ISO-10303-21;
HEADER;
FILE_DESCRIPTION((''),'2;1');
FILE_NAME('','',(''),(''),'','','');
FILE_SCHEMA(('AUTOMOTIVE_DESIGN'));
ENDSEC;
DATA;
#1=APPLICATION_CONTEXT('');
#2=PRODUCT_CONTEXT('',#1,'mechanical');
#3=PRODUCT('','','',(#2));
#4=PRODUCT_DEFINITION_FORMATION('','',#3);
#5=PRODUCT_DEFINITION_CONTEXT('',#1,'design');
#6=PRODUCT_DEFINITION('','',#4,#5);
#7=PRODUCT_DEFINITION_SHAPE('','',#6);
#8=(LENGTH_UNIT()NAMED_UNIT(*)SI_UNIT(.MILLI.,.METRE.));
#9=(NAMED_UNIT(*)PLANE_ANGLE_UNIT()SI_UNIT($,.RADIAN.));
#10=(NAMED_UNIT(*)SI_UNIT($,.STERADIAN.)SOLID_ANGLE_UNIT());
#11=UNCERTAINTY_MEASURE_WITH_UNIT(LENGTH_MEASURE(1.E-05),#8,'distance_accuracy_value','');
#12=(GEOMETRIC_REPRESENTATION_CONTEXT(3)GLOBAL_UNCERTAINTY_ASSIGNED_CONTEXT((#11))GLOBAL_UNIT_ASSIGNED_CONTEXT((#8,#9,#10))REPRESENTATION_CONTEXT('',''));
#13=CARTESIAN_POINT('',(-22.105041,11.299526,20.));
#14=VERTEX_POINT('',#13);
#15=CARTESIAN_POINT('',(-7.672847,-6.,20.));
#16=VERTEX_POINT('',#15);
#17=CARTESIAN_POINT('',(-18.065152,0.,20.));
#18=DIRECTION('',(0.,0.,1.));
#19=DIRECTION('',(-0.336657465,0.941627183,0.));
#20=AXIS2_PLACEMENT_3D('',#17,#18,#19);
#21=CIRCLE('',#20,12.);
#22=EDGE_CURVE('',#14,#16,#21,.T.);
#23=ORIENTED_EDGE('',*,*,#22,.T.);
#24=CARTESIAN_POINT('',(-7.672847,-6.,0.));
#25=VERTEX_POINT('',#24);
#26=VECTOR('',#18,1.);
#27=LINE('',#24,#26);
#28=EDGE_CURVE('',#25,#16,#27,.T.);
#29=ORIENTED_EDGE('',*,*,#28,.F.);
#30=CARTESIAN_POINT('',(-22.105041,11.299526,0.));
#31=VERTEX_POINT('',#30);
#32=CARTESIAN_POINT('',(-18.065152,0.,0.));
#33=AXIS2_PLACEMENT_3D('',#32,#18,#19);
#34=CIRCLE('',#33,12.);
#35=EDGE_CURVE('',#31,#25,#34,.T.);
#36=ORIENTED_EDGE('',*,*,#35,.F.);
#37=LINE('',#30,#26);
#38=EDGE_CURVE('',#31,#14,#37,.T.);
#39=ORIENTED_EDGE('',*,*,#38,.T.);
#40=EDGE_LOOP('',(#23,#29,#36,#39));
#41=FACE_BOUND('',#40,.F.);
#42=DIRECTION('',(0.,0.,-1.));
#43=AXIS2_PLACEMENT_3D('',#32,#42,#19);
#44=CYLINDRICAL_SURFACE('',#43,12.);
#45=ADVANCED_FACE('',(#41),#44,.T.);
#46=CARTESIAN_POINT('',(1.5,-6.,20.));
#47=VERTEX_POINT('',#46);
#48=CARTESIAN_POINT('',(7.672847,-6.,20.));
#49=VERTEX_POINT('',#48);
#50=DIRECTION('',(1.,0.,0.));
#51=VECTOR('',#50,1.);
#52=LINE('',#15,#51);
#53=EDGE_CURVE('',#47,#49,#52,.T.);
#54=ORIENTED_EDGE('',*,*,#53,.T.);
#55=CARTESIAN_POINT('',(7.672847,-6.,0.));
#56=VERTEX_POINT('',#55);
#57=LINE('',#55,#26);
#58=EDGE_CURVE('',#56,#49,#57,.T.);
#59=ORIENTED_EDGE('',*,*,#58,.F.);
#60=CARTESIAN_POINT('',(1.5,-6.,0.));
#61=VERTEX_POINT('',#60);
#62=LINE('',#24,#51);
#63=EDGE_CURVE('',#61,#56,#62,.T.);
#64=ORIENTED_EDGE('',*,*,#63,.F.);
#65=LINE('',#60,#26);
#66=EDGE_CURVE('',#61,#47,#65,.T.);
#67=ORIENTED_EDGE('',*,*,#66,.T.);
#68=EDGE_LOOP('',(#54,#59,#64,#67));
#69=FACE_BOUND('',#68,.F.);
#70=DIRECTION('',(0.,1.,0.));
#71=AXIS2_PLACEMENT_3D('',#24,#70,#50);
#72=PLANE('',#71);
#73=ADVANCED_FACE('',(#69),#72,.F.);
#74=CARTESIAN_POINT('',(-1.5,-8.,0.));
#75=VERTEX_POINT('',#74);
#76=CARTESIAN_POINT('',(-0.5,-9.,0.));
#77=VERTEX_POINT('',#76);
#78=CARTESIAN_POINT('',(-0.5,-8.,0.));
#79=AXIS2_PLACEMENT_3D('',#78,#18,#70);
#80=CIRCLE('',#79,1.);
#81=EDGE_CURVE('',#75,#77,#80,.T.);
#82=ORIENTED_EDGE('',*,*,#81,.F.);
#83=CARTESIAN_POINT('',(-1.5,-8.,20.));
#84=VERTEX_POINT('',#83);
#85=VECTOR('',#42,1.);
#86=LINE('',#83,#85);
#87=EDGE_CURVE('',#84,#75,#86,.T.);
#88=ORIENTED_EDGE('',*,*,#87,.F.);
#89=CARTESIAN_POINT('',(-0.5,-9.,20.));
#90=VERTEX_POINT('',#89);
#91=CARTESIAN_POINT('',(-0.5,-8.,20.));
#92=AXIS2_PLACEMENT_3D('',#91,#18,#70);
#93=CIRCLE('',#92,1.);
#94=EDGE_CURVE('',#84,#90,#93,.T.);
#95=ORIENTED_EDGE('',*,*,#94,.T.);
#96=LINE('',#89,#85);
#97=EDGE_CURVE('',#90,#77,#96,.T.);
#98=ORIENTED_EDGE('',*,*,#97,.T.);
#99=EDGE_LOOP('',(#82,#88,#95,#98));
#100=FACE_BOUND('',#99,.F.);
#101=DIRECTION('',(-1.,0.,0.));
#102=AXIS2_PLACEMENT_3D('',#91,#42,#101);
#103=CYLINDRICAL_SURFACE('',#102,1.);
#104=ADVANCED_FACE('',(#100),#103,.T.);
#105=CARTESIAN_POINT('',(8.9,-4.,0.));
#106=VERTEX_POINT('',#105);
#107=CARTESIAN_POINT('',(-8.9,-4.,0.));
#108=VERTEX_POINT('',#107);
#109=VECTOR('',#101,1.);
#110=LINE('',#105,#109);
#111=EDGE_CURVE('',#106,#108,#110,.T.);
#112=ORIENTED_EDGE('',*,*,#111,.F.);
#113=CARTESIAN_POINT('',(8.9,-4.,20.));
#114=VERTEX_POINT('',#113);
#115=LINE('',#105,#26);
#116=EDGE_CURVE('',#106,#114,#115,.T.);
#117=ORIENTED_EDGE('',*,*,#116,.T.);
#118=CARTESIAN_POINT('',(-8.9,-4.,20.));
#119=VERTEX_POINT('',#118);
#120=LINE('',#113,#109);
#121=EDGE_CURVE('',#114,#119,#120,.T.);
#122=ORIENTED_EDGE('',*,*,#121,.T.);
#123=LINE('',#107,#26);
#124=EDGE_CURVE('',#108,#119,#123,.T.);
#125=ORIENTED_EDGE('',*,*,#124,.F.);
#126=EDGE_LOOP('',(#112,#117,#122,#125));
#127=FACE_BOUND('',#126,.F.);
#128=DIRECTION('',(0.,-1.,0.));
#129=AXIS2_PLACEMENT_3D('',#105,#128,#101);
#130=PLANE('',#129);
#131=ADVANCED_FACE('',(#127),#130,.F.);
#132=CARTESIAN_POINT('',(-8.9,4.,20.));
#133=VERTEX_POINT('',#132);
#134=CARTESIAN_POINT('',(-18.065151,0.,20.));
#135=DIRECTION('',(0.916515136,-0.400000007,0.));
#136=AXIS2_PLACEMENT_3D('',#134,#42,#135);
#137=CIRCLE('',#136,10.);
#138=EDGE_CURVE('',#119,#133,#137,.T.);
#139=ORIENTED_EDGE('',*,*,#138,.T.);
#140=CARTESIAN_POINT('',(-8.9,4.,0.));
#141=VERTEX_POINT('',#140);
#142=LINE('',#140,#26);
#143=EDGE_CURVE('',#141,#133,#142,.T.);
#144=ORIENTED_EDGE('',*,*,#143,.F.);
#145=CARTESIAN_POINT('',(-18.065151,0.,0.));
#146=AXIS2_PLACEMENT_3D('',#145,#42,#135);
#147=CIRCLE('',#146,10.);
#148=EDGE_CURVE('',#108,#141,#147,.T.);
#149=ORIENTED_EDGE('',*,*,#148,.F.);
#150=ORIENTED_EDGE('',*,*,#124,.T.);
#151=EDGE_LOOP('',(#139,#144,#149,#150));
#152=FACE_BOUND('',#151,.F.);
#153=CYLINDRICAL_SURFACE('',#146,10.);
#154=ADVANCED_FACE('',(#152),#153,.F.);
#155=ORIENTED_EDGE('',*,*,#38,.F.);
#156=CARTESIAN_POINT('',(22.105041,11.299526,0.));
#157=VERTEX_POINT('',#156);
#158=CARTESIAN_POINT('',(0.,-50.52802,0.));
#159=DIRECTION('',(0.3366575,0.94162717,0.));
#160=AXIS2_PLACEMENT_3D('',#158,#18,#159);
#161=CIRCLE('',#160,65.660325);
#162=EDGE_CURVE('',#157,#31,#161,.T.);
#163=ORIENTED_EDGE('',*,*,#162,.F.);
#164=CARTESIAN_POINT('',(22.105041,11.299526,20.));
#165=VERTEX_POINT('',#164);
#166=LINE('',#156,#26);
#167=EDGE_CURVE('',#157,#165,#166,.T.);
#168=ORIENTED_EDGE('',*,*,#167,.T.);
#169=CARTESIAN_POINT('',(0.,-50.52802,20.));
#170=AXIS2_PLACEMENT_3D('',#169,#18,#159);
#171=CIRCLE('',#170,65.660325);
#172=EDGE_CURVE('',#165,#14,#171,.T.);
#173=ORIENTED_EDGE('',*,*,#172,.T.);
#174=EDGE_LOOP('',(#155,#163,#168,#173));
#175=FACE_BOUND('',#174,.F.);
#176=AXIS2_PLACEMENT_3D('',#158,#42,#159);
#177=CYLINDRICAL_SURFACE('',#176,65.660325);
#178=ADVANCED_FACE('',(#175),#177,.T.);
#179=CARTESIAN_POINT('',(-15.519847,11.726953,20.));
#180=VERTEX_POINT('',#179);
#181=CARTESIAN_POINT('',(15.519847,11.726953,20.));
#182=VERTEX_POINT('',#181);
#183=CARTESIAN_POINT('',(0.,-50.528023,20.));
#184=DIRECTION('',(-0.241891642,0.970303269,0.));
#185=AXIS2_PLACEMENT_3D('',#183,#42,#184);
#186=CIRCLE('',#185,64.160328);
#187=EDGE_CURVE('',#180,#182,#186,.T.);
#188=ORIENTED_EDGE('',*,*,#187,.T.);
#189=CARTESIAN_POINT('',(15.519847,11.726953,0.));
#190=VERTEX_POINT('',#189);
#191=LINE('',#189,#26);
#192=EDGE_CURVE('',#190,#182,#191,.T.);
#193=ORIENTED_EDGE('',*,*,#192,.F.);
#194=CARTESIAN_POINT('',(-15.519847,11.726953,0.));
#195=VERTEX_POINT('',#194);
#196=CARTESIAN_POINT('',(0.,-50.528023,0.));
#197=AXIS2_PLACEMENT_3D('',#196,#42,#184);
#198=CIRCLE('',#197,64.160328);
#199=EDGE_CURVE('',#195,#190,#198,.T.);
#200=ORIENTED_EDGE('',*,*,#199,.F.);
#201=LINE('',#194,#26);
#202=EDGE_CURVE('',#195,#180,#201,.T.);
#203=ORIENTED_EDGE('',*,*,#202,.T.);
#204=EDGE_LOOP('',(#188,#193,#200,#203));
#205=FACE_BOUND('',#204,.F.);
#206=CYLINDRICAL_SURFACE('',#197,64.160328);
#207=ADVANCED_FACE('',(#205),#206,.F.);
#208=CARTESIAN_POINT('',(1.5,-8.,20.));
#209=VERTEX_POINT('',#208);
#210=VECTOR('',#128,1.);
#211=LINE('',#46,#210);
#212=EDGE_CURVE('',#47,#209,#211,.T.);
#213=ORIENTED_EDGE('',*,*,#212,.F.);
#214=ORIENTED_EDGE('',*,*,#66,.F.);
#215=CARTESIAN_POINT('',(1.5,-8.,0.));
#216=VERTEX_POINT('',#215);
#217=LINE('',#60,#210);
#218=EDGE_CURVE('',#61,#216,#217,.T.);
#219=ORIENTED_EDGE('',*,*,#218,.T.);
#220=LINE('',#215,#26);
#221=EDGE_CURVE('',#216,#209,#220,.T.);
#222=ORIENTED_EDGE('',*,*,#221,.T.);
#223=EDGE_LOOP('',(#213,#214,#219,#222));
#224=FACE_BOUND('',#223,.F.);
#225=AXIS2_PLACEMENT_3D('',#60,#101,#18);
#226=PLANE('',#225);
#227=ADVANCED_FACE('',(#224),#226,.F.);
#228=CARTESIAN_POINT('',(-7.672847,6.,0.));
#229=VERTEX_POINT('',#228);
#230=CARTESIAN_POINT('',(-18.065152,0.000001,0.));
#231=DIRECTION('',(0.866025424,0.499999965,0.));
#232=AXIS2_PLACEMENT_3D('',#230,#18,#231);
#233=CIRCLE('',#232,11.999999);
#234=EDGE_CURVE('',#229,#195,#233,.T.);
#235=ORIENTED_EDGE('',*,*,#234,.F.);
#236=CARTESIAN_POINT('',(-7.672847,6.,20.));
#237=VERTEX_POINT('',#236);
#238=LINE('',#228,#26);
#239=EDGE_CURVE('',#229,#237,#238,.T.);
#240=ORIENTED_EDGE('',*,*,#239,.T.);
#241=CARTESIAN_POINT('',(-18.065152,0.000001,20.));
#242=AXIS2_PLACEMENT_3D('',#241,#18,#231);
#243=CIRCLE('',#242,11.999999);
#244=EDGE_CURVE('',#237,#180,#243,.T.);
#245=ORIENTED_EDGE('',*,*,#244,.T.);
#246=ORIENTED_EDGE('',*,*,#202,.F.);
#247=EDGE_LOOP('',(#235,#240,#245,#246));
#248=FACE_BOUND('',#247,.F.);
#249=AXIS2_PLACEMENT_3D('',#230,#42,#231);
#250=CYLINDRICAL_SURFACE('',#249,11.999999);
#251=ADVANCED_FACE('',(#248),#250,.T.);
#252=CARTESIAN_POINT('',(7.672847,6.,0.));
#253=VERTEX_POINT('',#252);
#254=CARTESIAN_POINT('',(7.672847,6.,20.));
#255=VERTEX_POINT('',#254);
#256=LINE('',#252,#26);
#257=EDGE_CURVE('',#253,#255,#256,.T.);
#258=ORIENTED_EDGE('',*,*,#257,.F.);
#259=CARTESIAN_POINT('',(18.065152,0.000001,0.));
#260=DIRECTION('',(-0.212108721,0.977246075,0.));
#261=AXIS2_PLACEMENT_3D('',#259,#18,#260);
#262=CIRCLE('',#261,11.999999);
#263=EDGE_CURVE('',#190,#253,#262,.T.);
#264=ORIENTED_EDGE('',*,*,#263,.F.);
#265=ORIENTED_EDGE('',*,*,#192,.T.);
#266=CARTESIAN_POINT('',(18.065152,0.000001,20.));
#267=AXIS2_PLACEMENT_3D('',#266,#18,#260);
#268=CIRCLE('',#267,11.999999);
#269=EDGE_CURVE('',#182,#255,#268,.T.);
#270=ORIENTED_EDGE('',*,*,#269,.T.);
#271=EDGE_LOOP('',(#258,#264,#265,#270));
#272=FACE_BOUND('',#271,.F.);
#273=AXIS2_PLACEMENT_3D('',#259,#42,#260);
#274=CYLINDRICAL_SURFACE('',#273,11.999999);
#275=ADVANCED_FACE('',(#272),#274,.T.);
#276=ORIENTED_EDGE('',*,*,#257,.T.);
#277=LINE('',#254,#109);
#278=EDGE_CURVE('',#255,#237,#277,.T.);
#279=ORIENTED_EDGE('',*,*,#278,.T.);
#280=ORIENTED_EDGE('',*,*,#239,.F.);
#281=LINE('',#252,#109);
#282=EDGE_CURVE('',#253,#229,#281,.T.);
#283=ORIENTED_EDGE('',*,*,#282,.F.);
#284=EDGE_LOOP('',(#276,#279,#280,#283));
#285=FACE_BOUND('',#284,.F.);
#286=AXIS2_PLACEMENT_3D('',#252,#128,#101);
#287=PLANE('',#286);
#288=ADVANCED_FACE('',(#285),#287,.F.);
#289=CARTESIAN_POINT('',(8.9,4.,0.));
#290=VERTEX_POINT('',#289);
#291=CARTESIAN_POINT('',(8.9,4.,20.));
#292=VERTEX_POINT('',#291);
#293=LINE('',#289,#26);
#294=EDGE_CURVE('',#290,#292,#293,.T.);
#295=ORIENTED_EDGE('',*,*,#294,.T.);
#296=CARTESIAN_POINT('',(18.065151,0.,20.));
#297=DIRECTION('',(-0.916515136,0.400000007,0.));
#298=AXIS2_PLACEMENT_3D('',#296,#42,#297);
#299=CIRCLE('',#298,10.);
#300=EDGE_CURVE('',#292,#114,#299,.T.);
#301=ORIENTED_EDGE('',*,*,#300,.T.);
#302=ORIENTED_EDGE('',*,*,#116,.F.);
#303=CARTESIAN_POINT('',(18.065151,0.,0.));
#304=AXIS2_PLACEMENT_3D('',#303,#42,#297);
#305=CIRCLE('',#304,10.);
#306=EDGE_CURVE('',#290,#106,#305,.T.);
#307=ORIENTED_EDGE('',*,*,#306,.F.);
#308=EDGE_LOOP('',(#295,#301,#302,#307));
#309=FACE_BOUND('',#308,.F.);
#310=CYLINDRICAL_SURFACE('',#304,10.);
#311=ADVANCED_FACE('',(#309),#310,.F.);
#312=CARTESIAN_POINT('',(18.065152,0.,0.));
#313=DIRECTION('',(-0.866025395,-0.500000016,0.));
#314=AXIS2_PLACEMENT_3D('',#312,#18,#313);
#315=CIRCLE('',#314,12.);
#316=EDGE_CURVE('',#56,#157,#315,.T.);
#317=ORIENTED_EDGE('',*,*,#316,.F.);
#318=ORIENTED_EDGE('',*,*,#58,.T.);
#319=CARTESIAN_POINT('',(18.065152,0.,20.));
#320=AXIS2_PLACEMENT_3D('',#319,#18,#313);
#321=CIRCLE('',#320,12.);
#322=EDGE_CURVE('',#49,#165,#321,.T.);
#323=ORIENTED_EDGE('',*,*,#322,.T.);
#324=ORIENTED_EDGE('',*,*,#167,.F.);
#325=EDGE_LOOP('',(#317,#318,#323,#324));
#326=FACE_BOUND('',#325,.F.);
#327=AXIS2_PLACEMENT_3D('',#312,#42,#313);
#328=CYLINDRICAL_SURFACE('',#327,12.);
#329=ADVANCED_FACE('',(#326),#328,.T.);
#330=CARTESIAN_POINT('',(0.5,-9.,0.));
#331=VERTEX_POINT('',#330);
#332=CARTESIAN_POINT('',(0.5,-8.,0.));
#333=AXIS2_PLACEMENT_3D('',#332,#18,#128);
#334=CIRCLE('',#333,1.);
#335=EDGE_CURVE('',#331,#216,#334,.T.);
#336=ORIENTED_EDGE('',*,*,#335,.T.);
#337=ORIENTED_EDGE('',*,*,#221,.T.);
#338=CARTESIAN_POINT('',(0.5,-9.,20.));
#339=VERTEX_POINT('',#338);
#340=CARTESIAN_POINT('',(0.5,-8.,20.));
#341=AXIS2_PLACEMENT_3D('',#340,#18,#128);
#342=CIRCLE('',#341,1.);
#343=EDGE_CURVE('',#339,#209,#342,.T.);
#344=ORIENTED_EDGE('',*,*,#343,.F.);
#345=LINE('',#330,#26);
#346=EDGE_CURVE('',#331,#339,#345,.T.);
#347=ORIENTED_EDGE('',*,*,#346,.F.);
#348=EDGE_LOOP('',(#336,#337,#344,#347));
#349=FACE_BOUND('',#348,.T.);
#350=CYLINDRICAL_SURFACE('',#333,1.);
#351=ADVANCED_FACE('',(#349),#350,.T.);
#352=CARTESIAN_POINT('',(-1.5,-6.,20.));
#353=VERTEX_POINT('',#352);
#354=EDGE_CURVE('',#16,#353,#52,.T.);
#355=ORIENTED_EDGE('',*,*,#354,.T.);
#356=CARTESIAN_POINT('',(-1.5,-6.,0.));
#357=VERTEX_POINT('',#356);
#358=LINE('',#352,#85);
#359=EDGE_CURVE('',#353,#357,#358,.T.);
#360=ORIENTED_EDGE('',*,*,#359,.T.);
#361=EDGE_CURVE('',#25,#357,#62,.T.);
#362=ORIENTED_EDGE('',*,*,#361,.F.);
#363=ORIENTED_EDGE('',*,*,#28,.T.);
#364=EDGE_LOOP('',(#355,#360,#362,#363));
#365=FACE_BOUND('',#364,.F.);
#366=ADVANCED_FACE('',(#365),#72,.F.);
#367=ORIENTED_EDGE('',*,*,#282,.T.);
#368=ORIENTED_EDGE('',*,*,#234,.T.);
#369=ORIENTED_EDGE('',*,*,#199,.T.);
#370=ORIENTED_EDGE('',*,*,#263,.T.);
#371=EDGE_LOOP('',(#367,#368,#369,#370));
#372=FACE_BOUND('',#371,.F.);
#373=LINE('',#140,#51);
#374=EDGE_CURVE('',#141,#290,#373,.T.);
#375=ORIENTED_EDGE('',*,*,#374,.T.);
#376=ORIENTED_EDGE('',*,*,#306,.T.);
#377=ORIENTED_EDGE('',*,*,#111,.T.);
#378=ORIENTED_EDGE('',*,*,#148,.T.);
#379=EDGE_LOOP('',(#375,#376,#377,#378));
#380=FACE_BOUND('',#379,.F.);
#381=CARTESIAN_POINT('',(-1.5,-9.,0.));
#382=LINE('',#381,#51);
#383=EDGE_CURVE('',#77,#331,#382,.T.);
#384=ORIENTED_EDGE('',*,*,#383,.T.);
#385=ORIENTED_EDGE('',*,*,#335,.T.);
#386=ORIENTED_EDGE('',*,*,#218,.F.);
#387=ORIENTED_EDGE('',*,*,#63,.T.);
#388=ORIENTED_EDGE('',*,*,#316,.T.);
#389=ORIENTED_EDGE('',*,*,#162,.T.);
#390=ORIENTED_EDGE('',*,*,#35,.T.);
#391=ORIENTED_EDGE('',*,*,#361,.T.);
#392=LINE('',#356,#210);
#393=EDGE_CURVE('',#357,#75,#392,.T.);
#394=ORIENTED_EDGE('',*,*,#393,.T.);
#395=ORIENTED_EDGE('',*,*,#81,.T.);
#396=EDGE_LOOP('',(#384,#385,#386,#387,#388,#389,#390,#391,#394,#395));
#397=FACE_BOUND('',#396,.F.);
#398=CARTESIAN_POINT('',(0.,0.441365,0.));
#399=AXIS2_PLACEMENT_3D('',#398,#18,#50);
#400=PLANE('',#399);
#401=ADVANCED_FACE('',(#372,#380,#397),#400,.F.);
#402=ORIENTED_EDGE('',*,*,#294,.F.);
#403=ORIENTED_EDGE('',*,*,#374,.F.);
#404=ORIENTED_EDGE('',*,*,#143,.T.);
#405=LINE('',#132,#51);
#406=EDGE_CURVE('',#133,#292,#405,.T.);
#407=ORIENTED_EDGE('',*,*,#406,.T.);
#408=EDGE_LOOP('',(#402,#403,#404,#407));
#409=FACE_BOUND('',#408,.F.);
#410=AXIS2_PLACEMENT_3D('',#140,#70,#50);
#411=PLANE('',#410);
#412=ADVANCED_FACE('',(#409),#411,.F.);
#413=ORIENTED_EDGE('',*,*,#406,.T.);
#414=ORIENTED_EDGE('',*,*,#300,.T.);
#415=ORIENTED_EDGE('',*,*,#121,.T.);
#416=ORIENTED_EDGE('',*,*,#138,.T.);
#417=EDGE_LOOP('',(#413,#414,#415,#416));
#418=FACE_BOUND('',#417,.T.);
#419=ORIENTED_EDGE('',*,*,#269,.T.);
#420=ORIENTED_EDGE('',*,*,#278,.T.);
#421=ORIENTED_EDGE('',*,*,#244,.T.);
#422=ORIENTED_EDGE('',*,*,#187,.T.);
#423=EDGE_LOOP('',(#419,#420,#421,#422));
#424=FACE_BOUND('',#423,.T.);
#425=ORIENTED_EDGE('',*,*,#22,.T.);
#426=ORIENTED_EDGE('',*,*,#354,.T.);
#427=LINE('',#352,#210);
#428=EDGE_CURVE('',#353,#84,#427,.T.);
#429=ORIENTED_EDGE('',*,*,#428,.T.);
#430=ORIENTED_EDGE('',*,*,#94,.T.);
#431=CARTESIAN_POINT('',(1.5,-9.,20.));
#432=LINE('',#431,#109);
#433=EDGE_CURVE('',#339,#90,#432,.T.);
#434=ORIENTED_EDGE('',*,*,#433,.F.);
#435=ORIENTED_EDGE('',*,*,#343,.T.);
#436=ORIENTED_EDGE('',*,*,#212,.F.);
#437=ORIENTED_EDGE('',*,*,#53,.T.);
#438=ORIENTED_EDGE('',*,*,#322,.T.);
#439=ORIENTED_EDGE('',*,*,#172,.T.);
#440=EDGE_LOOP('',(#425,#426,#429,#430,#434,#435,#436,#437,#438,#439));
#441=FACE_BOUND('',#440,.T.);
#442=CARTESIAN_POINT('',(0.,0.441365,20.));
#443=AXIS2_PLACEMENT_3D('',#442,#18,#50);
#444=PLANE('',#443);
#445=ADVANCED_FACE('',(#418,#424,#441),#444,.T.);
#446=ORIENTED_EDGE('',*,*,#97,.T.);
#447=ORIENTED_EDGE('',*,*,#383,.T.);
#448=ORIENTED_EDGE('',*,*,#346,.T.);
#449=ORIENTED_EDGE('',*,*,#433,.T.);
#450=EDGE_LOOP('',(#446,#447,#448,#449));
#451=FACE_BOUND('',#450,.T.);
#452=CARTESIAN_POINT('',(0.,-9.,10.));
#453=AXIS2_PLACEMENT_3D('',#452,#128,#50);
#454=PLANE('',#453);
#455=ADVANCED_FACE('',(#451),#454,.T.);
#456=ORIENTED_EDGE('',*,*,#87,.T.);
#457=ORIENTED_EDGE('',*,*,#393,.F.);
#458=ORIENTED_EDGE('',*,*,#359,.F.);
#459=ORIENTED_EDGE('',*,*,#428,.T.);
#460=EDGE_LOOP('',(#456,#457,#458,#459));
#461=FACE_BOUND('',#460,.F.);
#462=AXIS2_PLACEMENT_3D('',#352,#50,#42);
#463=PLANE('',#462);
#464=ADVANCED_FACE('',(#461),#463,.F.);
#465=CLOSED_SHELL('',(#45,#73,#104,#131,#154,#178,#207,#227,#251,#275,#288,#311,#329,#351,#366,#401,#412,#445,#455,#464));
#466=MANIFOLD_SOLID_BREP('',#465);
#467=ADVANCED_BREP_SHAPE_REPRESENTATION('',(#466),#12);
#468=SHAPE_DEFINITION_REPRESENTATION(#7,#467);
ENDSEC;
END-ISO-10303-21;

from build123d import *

# Parameters (mm, degrees)
F1_DEPTH = 20
F3_DEPTH = 3
F4_R     = 1


with BuildPart() as f1:
    # F0 (on Top) → F1 (new body)
    with BuildSketch(Plane.XY):
        with BuildLine():
            ThreePointArc((-22.105041, 11.299526), (-27.279634, -7.687217), (-7.672847, -6))
            Line((-7.672847, -6), (7.672847, -6))
            ThreePointArc((7.672847, -6), (27.279634, -7.687217), (22.105041, 11.299526))
            ThreePointArc((22.105041, 11.299526), (18.842402, 11.974802), (15.519847, 11.726953))
            ThreePointArc((15.519847, 11.726953), (10.990907, 9.693042), (7.672847, 6))
            Line((7.672847, 6), (-1.3, 6))
            Line((-1.3, 6), (-7.672847, 6))
            ThreePointArc((-7.672847, 6), (-10.990907, 9.693042), (-15.519847, 11.726953))
            ThreePointArc((-15.519847, 11.726953), (-18.842402, 11.974802), (-22.105041, 11.299526))
        make_face()
        with BuildLine():
            Line((-8.9, 4), (0, 4))
            Line((0, 4), (8.9, 4))
            ThreePointArc((8.9, 4), (28.065151, 0), (8.9, -4))
            Line((8.9, -4), (-8.9, -4))
            ThreePointArc((-8.9, -4), (-28.065151, 0), (-8.9, 4))
        make_face(mode=Mode.SUBTRACT)
        with BuildLine():
            ThreePointArc((22.105041, 11.299526), (0, 15.132305), (-22.105041, 11.299526))
            ThreePointArc((-22.105041, 11.299526), (-18.842402, 11.974802), (-15.519847, 11.726953))
            ThreePointArc((-15.519847, 11.726953), (0, 13.632305), (15.519847, 11.726953))
            ThreePointArc((15.519847, 11.726953), (18.842402, 11.974802), (22.105041, 11.299526))
        make_face()
    extrude(amount=F1_DEPTH)

    # F2 (on face) → F3 (join)
    with BuildSketch(Plane.XZ.offset(6)):
        Polygon((1.5, 20), (0, 20), (-1.5, 20), (-1.5, 0), (0, 0), (1.5, 0), align=None)
    extrude(amount=F3_DEPTH)

    # F4
    f4_edges = [f1.edges().sort_by_distance(p)[0] for p in [
        (1.5, -9, 10),
        (-1.5, -9, 10),
    ]]
    fillet(f4_edges, radius=F4_R)


solid = f1.part
